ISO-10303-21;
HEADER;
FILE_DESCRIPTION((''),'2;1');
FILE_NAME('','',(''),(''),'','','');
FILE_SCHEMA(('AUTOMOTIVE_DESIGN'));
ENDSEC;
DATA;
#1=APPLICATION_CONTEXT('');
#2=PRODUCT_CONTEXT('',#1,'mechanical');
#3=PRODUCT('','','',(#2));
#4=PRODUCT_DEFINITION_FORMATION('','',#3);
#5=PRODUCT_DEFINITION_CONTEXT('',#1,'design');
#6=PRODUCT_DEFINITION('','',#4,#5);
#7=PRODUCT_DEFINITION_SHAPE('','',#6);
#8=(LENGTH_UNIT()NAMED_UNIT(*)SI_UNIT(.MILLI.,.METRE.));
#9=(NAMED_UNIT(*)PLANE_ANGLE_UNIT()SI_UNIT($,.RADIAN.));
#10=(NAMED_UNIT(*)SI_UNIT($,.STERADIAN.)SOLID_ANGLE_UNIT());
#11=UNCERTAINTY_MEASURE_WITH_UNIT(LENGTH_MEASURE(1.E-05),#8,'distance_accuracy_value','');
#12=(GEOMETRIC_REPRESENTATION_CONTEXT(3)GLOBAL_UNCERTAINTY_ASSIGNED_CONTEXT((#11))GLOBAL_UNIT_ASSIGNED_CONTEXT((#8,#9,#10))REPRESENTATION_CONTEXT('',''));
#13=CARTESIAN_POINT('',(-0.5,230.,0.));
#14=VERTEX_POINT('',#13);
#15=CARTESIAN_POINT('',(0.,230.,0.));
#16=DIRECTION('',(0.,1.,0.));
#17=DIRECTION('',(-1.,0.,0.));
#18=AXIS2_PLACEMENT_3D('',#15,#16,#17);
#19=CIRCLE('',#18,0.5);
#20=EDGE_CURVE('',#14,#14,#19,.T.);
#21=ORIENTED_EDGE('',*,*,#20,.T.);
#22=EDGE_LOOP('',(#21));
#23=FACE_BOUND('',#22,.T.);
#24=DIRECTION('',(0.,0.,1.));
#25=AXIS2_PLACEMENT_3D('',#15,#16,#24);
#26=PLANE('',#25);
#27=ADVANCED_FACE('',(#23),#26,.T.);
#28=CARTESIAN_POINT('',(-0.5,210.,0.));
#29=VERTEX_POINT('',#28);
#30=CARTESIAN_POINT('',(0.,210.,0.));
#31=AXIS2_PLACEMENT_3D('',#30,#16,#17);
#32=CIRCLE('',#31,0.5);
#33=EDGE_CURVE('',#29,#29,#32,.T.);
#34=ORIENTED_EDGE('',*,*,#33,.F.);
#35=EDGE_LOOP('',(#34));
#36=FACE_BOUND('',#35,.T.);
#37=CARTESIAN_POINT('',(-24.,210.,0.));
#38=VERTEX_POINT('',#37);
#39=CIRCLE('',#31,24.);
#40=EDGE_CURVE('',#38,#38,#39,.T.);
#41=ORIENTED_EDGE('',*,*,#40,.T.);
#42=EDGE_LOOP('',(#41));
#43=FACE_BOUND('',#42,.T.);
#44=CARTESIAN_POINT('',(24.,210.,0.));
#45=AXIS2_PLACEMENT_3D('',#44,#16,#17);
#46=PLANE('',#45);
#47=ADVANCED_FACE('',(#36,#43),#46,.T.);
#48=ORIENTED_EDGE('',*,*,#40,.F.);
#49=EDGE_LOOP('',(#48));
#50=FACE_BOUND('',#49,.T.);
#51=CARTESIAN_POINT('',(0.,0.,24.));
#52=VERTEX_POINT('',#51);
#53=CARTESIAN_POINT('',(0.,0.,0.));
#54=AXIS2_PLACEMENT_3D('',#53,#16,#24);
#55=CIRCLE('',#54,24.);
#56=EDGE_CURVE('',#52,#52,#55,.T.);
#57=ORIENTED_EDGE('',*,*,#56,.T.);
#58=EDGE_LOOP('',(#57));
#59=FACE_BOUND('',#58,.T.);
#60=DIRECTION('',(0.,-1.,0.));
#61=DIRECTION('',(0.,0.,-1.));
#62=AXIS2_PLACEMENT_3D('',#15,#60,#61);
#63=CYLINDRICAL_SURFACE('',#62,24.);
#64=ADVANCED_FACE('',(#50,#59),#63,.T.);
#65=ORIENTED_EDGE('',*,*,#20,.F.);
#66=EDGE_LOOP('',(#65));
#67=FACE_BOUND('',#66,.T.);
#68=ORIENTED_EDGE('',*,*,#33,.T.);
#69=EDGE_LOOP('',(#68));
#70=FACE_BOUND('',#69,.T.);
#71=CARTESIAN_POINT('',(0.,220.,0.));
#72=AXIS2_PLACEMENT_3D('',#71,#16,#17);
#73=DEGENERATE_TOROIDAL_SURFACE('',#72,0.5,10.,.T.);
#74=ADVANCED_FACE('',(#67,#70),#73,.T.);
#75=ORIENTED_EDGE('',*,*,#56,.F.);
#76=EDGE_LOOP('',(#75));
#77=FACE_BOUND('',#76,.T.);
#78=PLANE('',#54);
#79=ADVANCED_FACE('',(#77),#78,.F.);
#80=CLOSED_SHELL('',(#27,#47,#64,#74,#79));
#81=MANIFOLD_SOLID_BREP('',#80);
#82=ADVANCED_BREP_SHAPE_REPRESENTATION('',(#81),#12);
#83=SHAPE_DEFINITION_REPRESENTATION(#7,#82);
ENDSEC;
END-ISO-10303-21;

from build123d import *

# Parameters (mm, degrees)
SKETCH1_R           = 24
BOSS_EXTRUDE1_DEPTH = 230


with BuildPart() as part:
    # Sketch1 → Boss-Extrude1 (new body)
    with BuildSketch(Plane(origin=(0, 0, 0), x_dir=(1, 0, 0), z_dir=(0, 1, 0))):
        with Locations(Location((0, 0, 0), (0, 0, 270))):
            Circle(SKETCH1_R)
    extrude(amount=BOSS_EXTRUDE1_DEPTH)

    # Sketch3 → Cut-Revolve2 (revolve, cut)
    with BuildSketch(Plane.XY, mode=Mode.PRIVATE) as cut_revolve2_sk:
        with BuildLine():
            Line((24, 230), (24, 210))
            Line((24, 210), (0.5, 210))
            ThreePointArc((0.5, 210), (10.5, 220), (0.5, 230))
            Line((0.5, 230), (24, 230))
        make_face()
    revolve(cut_revolve2_sk.sketch.rotate(Axis((0, 241.465420533, 0), (0, -1, 0)), 180), axis=Axis((0, 241.465420533, 0), (0, -1, 0)), mode=Mode.SUBTRACT)


solid = part.part
